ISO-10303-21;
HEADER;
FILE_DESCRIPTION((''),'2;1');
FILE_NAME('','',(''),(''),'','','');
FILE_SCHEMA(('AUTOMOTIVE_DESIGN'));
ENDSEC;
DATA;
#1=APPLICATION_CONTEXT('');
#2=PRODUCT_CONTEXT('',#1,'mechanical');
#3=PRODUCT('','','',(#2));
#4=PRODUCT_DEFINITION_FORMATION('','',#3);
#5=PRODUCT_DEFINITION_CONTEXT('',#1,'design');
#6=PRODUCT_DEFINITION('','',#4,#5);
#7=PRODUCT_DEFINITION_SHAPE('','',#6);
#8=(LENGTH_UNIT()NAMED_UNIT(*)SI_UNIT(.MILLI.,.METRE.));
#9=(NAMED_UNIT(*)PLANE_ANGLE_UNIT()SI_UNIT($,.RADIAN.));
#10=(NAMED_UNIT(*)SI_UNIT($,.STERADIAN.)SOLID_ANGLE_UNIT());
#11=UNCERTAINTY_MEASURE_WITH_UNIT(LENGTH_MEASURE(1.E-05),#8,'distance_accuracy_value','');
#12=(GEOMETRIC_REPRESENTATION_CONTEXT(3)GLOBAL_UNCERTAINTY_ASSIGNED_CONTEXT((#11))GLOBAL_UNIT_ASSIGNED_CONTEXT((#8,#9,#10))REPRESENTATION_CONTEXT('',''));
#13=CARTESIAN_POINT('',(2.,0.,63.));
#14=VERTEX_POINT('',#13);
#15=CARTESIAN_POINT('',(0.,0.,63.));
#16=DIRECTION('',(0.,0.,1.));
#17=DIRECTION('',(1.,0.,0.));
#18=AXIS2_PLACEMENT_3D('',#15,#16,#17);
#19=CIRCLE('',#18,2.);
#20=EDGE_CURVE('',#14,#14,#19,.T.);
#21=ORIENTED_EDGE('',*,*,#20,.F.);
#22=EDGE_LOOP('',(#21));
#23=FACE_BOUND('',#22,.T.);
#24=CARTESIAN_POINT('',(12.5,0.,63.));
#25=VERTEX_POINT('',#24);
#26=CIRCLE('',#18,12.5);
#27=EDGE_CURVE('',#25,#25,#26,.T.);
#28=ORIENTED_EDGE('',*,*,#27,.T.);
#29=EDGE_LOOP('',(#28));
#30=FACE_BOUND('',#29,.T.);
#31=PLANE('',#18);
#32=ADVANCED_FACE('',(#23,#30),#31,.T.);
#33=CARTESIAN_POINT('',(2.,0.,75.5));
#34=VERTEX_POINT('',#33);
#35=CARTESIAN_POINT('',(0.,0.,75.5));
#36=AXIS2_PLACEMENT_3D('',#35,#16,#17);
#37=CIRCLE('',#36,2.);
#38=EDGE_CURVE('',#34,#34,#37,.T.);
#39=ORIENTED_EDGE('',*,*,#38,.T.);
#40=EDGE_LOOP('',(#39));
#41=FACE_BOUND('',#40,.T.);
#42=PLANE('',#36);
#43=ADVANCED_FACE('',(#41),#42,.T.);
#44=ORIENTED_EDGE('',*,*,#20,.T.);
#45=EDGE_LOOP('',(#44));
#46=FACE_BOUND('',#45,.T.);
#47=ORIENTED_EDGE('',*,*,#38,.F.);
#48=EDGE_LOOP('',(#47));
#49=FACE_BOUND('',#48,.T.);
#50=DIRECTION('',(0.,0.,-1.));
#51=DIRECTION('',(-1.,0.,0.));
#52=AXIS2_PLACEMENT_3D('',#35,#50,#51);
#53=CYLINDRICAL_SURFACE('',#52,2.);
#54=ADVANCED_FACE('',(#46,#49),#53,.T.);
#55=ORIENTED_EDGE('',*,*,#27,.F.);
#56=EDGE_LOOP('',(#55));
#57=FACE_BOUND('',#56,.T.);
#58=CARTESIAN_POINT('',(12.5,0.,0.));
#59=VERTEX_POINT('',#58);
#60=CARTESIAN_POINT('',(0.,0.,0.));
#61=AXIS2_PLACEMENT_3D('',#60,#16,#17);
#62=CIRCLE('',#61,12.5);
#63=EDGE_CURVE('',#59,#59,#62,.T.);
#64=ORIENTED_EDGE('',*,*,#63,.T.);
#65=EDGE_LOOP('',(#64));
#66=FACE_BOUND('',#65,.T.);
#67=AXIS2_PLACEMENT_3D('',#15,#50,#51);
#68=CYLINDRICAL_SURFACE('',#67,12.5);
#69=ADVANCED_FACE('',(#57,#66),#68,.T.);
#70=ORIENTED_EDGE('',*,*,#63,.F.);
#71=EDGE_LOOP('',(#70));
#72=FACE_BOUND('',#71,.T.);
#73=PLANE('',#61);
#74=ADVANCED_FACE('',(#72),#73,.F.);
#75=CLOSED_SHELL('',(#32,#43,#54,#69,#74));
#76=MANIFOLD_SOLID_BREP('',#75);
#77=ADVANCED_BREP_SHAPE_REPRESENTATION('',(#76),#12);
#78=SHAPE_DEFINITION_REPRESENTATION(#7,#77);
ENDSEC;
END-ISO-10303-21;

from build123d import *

# Parameters (mm, degrees)
SKETCH1_R           = 12.5
BOSS_EXTRUDE1_DEPTH = 63
SKETCH2_R           = 2
BOSS_EXTRUDE2_DEPTH = 12.5


with BuildPart() as part:
    # Sketch1 → Boss-Extrude1 (new body)
    with BuildSketch(Plane.XY):
        Circle(SKETCH1_R)
    extrude(amount=BOSS_EXTRUDE1_DEPTH)

    # Sketch2 → Boss-Extrude2 (add)
    with BuildSketch(Plane.XY.offset(63)):
        Circle(SKETCH2_R)
    extrude(amount=BOSS_EXTRUDE2_DEPTH)


solid = part.part
